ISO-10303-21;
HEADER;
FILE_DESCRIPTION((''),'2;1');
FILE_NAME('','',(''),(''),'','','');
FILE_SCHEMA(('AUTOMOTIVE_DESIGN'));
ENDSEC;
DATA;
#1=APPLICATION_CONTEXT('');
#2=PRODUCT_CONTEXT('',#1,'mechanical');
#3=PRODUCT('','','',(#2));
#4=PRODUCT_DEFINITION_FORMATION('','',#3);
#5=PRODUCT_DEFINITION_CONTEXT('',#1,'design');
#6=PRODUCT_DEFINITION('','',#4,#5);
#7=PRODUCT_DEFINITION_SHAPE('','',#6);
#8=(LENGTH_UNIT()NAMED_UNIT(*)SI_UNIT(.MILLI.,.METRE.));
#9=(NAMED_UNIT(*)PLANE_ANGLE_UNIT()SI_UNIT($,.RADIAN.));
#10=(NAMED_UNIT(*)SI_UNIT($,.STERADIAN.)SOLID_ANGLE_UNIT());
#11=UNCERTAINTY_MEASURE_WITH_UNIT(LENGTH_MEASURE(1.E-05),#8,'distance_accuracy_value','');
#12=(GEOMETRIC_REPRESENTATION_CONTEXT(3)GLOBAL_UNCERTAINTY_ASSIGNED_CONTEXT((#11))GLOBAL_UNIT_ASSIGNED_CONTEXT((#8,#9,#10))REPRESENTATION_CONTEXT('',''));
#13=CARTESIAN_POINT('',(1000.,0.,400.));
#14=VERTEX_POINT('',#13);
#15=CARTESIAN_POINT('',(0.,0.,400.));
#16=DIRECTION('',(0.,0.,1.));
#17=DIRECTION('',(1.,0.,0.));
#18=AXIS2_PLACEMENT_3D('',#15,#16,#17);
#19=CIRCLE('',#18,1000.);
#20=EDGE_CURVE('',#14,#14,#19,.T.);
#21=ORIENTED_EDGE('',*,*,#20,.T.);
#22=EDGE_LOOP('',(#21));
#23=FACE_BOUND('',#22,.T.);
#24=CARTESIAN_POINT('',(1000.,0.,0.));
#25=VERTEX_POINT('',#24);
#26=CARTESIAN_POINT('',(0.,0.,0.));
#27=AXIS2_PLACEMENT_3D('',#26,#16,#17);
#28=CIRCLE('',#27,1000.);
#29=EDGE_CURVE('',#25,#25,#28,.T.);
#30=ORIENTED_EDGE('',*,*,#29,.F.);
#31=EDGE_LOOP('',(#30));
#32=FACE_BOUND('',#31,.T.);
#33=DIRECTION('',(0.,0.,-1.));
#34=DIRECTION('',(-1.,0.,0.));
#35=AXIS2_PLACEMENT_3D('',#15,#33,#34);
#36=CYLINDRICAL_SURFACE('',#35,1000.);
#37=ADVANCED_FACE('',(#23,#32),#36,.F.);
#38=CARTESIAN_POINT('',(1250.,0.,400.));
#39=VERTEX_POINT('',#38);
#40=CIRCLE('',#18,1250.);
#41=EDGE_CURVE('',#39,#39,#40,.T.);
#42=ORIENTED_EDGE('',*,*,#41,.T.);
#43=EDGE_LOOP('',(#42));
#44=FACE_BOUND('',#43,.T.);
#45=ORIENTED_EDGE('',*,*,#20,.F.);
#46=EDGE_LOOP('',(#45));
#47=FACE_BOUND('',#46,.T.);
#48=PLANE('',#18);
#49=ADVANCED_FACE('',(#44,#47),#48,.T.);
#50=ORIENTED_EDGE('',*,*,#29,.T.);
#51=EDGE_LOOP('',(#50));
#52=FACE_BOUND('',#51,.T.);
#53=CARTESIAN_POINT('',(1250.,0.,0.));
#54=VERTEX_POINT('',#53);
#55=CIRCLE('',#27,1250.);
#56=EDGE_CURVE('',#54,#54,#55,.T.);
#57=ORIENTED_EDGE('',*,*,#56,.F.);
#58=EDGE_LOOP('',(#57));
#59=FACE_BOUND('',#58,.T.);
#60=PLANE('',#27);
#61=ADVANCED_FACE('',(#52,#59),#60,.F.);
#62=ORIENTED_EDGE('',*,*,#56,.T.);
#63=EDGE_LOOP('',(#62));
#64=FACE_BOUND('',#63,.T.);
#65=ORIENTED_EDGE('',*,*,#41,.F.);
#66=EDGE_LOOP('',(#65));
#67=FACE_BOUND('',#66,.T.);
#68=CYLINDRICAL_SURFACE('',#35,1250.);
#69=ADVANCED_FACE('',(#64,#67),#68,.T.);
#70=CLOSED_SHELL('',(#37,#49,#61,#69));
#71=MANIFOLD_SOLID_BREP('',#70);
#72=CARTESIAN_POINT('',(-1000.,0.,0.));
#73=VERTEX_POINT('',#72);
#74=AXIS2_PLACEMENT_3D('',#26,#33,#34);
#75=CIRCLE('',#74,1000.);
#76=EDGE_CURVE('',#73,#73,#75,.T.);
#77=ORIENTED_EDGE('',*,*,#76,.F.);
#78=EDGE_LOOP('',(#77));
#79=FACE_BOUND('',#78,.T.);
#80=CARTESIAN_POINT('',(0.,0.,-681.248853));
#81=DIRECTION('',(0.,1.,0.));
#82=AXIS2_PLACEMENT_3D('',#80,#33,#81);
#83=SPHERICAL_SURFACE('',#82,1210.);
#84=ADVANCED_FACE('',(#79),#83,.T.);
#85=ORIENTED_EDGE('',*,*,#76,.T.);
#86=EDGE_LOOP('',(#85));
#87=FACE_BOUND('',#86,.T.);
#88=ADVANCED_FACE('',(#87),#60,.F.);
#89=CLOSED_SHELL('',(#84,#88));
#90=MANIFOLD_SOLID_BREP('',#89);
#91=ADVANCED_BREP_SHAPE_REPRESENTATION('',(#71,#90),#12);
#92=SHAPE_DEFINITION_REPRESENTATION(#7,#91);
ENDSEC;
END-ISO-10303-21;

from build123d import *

# Parameters (mm, degrees)
SKETCH2_R           = 1250
SKETCH2_R_2         = 1000
BOSS_EXTRUDE1_DEPTH = 400


with BuildPart() as part:
    # Sketch2 → Boss-Extrude1 (new body)
    with BuildSketch(Plane.XY):
        Circle(SKETCH2_R)
        Circle(SKETCH2_R_2, mode=Mode.SUBTRACT)
    extrude(amount=BOSS_EXTRUDE1_DEPTH)


with BuildPart() as body_2:
    # Sketch3 → Revolve2 (revolve)
    with BuildSketch(Plane(origin=(0, 0, 0), x_dir=(0, 0, -1), z_dir=(1, 0, 0)), mode=Mode.PRIVATE) as revolve2_sk:
        with BuildLine():
            Line((0, 0), (0, -1000))
            ThreePointArc((0, -1000), (-388.426591115, -565.59211788), (-528.75114679, 0))
            Line((-528.75114679, 0), (0, 0))
        make_face()
    revolve(revolve2_sk.sketch.rotate(Axis((0, 0, 0), (0, 0, 1)), 180), axis=Axis((0, 0, 0), (0, 0, 1)))


solid = Compound([part.part, body_2.part])
